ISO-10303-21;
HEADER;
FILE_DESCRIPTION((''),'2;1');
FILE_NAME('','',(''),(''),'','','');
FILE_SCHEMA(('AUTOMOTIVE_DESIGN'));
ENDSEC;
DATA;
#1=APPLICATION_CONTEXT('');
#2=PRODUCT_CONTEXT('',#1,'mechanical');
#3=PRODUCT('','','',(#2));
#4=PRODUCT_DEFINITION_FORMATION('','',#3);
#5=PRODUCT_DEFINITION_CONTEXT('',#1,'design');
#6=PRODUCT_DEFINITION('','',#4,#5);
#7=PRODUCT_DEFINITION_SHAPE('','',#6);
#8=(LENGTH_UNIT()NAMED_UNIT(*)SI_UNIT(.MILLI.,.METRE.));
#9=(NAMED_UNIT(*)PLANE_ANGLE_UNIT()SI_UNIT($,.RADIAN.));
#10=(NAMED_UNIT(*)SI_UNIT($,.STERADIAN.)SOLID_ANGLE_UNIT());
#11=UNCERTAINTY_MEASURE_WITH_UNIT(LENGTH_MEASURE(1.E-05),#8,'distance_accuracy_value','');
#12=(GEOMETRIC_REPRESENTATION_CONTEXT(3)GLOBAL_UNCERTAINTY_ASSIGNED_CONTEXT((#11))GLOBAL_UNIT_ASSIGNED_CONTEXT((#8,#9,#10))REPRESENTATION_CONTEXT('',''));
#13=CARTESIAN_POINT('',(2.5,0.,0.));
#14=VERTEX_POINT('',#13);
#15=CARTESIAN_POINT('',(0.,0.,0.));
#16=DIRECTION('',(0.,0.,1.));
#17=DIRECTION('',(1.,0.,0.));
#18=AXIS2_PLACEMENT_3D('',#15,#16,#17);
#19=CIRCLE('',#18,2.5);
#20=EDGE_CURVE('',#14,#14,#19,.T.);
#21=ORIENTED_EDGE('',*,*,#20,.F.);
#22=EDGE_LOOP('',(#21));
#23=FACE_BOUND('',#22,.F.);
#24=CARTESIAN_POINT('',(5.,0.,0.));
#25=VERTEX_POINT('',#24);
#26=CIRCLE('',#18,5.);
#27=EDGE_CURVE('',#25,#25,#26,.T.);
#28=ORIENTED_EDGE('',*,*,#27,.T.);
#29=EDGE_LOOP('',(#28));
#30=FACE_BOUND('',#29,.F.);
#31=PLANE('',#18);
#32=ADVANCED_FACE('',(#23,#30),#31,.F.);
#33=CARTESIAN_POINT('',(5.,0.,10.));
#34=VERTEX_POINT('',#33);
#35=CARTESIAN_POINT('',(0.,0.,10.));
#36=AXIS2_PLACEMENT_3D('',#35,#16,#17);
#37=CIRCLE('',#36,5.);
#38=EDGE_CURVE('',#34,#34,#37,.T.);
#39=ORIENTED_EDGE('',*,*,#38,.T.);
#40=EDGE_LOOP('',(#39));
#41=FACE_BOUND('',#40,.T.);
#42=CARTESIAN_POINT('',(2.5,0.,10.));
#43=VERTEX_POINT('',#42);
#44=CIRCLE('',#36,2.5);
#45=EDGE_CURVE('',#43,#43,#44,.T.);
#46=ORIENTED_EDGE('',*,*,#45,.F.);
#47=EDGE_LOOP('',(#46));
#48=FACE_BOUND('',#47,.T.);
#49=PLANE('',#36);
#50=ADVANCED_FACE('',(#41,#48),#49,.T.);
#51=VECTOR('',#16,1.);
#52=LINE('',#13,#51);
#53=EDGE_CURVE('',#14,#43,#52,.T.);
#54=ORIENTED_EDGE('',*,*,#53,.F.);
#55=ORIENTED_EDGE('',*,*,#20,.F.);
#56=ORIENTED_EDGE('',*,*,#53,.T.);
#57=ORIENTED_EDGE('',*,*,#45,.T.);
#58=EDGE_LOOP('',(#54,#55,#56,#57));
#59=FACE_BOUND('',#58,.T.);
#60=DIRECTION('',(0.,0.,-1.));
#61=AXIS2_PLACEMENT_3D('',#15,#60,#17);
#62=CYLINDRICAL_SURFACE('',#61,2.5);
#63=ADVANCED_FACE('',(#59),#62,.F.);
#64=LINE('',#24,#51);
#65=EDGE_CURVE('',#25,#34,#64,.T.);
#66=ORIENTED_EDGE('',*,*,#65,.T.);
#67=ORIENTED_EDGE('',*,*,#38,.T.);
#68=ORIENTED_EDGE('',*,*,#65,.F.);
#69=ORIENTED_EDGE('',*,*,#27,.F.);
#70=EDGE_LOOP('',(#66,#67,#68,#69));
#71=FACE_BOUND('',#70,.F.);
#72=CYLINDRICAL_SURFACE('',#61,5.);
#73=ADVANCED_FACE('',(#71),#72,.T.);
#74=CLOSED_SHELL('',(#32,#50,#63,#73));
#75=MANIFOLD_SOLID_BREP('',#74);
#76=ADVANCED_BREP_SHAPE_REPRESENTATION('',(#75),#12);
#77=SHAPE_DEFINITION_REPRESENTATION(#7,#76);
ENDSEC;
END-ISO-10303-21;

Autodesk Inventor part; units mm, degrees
ref_plane "YZ Plane" through (0, 0, 0) normal (1, 0, 0) x (0, 1, 0)
ref_plane "XZ Plane" through (0, 0, 0) normal (0, 1, 0) x (-1, 0, 0)
ref_plane "XY Plane" through (0, 0, 0) normal (0, 0, 1) x (1, 0, 0)
sketch "スケッチ1" plane through (0, 0, 0) normal (0, 0, 1) x (1, 0, 0)
  circle A0 centre (0, 0) radius 5
  circle A1 centre (0, 0) radius 2.5
  dimension "d0" = 10
  dimension "d1" = 5
extrude "押し出し1" add sketch "スケッチ1" along normal blind 10
properties part number "bearing_01"
